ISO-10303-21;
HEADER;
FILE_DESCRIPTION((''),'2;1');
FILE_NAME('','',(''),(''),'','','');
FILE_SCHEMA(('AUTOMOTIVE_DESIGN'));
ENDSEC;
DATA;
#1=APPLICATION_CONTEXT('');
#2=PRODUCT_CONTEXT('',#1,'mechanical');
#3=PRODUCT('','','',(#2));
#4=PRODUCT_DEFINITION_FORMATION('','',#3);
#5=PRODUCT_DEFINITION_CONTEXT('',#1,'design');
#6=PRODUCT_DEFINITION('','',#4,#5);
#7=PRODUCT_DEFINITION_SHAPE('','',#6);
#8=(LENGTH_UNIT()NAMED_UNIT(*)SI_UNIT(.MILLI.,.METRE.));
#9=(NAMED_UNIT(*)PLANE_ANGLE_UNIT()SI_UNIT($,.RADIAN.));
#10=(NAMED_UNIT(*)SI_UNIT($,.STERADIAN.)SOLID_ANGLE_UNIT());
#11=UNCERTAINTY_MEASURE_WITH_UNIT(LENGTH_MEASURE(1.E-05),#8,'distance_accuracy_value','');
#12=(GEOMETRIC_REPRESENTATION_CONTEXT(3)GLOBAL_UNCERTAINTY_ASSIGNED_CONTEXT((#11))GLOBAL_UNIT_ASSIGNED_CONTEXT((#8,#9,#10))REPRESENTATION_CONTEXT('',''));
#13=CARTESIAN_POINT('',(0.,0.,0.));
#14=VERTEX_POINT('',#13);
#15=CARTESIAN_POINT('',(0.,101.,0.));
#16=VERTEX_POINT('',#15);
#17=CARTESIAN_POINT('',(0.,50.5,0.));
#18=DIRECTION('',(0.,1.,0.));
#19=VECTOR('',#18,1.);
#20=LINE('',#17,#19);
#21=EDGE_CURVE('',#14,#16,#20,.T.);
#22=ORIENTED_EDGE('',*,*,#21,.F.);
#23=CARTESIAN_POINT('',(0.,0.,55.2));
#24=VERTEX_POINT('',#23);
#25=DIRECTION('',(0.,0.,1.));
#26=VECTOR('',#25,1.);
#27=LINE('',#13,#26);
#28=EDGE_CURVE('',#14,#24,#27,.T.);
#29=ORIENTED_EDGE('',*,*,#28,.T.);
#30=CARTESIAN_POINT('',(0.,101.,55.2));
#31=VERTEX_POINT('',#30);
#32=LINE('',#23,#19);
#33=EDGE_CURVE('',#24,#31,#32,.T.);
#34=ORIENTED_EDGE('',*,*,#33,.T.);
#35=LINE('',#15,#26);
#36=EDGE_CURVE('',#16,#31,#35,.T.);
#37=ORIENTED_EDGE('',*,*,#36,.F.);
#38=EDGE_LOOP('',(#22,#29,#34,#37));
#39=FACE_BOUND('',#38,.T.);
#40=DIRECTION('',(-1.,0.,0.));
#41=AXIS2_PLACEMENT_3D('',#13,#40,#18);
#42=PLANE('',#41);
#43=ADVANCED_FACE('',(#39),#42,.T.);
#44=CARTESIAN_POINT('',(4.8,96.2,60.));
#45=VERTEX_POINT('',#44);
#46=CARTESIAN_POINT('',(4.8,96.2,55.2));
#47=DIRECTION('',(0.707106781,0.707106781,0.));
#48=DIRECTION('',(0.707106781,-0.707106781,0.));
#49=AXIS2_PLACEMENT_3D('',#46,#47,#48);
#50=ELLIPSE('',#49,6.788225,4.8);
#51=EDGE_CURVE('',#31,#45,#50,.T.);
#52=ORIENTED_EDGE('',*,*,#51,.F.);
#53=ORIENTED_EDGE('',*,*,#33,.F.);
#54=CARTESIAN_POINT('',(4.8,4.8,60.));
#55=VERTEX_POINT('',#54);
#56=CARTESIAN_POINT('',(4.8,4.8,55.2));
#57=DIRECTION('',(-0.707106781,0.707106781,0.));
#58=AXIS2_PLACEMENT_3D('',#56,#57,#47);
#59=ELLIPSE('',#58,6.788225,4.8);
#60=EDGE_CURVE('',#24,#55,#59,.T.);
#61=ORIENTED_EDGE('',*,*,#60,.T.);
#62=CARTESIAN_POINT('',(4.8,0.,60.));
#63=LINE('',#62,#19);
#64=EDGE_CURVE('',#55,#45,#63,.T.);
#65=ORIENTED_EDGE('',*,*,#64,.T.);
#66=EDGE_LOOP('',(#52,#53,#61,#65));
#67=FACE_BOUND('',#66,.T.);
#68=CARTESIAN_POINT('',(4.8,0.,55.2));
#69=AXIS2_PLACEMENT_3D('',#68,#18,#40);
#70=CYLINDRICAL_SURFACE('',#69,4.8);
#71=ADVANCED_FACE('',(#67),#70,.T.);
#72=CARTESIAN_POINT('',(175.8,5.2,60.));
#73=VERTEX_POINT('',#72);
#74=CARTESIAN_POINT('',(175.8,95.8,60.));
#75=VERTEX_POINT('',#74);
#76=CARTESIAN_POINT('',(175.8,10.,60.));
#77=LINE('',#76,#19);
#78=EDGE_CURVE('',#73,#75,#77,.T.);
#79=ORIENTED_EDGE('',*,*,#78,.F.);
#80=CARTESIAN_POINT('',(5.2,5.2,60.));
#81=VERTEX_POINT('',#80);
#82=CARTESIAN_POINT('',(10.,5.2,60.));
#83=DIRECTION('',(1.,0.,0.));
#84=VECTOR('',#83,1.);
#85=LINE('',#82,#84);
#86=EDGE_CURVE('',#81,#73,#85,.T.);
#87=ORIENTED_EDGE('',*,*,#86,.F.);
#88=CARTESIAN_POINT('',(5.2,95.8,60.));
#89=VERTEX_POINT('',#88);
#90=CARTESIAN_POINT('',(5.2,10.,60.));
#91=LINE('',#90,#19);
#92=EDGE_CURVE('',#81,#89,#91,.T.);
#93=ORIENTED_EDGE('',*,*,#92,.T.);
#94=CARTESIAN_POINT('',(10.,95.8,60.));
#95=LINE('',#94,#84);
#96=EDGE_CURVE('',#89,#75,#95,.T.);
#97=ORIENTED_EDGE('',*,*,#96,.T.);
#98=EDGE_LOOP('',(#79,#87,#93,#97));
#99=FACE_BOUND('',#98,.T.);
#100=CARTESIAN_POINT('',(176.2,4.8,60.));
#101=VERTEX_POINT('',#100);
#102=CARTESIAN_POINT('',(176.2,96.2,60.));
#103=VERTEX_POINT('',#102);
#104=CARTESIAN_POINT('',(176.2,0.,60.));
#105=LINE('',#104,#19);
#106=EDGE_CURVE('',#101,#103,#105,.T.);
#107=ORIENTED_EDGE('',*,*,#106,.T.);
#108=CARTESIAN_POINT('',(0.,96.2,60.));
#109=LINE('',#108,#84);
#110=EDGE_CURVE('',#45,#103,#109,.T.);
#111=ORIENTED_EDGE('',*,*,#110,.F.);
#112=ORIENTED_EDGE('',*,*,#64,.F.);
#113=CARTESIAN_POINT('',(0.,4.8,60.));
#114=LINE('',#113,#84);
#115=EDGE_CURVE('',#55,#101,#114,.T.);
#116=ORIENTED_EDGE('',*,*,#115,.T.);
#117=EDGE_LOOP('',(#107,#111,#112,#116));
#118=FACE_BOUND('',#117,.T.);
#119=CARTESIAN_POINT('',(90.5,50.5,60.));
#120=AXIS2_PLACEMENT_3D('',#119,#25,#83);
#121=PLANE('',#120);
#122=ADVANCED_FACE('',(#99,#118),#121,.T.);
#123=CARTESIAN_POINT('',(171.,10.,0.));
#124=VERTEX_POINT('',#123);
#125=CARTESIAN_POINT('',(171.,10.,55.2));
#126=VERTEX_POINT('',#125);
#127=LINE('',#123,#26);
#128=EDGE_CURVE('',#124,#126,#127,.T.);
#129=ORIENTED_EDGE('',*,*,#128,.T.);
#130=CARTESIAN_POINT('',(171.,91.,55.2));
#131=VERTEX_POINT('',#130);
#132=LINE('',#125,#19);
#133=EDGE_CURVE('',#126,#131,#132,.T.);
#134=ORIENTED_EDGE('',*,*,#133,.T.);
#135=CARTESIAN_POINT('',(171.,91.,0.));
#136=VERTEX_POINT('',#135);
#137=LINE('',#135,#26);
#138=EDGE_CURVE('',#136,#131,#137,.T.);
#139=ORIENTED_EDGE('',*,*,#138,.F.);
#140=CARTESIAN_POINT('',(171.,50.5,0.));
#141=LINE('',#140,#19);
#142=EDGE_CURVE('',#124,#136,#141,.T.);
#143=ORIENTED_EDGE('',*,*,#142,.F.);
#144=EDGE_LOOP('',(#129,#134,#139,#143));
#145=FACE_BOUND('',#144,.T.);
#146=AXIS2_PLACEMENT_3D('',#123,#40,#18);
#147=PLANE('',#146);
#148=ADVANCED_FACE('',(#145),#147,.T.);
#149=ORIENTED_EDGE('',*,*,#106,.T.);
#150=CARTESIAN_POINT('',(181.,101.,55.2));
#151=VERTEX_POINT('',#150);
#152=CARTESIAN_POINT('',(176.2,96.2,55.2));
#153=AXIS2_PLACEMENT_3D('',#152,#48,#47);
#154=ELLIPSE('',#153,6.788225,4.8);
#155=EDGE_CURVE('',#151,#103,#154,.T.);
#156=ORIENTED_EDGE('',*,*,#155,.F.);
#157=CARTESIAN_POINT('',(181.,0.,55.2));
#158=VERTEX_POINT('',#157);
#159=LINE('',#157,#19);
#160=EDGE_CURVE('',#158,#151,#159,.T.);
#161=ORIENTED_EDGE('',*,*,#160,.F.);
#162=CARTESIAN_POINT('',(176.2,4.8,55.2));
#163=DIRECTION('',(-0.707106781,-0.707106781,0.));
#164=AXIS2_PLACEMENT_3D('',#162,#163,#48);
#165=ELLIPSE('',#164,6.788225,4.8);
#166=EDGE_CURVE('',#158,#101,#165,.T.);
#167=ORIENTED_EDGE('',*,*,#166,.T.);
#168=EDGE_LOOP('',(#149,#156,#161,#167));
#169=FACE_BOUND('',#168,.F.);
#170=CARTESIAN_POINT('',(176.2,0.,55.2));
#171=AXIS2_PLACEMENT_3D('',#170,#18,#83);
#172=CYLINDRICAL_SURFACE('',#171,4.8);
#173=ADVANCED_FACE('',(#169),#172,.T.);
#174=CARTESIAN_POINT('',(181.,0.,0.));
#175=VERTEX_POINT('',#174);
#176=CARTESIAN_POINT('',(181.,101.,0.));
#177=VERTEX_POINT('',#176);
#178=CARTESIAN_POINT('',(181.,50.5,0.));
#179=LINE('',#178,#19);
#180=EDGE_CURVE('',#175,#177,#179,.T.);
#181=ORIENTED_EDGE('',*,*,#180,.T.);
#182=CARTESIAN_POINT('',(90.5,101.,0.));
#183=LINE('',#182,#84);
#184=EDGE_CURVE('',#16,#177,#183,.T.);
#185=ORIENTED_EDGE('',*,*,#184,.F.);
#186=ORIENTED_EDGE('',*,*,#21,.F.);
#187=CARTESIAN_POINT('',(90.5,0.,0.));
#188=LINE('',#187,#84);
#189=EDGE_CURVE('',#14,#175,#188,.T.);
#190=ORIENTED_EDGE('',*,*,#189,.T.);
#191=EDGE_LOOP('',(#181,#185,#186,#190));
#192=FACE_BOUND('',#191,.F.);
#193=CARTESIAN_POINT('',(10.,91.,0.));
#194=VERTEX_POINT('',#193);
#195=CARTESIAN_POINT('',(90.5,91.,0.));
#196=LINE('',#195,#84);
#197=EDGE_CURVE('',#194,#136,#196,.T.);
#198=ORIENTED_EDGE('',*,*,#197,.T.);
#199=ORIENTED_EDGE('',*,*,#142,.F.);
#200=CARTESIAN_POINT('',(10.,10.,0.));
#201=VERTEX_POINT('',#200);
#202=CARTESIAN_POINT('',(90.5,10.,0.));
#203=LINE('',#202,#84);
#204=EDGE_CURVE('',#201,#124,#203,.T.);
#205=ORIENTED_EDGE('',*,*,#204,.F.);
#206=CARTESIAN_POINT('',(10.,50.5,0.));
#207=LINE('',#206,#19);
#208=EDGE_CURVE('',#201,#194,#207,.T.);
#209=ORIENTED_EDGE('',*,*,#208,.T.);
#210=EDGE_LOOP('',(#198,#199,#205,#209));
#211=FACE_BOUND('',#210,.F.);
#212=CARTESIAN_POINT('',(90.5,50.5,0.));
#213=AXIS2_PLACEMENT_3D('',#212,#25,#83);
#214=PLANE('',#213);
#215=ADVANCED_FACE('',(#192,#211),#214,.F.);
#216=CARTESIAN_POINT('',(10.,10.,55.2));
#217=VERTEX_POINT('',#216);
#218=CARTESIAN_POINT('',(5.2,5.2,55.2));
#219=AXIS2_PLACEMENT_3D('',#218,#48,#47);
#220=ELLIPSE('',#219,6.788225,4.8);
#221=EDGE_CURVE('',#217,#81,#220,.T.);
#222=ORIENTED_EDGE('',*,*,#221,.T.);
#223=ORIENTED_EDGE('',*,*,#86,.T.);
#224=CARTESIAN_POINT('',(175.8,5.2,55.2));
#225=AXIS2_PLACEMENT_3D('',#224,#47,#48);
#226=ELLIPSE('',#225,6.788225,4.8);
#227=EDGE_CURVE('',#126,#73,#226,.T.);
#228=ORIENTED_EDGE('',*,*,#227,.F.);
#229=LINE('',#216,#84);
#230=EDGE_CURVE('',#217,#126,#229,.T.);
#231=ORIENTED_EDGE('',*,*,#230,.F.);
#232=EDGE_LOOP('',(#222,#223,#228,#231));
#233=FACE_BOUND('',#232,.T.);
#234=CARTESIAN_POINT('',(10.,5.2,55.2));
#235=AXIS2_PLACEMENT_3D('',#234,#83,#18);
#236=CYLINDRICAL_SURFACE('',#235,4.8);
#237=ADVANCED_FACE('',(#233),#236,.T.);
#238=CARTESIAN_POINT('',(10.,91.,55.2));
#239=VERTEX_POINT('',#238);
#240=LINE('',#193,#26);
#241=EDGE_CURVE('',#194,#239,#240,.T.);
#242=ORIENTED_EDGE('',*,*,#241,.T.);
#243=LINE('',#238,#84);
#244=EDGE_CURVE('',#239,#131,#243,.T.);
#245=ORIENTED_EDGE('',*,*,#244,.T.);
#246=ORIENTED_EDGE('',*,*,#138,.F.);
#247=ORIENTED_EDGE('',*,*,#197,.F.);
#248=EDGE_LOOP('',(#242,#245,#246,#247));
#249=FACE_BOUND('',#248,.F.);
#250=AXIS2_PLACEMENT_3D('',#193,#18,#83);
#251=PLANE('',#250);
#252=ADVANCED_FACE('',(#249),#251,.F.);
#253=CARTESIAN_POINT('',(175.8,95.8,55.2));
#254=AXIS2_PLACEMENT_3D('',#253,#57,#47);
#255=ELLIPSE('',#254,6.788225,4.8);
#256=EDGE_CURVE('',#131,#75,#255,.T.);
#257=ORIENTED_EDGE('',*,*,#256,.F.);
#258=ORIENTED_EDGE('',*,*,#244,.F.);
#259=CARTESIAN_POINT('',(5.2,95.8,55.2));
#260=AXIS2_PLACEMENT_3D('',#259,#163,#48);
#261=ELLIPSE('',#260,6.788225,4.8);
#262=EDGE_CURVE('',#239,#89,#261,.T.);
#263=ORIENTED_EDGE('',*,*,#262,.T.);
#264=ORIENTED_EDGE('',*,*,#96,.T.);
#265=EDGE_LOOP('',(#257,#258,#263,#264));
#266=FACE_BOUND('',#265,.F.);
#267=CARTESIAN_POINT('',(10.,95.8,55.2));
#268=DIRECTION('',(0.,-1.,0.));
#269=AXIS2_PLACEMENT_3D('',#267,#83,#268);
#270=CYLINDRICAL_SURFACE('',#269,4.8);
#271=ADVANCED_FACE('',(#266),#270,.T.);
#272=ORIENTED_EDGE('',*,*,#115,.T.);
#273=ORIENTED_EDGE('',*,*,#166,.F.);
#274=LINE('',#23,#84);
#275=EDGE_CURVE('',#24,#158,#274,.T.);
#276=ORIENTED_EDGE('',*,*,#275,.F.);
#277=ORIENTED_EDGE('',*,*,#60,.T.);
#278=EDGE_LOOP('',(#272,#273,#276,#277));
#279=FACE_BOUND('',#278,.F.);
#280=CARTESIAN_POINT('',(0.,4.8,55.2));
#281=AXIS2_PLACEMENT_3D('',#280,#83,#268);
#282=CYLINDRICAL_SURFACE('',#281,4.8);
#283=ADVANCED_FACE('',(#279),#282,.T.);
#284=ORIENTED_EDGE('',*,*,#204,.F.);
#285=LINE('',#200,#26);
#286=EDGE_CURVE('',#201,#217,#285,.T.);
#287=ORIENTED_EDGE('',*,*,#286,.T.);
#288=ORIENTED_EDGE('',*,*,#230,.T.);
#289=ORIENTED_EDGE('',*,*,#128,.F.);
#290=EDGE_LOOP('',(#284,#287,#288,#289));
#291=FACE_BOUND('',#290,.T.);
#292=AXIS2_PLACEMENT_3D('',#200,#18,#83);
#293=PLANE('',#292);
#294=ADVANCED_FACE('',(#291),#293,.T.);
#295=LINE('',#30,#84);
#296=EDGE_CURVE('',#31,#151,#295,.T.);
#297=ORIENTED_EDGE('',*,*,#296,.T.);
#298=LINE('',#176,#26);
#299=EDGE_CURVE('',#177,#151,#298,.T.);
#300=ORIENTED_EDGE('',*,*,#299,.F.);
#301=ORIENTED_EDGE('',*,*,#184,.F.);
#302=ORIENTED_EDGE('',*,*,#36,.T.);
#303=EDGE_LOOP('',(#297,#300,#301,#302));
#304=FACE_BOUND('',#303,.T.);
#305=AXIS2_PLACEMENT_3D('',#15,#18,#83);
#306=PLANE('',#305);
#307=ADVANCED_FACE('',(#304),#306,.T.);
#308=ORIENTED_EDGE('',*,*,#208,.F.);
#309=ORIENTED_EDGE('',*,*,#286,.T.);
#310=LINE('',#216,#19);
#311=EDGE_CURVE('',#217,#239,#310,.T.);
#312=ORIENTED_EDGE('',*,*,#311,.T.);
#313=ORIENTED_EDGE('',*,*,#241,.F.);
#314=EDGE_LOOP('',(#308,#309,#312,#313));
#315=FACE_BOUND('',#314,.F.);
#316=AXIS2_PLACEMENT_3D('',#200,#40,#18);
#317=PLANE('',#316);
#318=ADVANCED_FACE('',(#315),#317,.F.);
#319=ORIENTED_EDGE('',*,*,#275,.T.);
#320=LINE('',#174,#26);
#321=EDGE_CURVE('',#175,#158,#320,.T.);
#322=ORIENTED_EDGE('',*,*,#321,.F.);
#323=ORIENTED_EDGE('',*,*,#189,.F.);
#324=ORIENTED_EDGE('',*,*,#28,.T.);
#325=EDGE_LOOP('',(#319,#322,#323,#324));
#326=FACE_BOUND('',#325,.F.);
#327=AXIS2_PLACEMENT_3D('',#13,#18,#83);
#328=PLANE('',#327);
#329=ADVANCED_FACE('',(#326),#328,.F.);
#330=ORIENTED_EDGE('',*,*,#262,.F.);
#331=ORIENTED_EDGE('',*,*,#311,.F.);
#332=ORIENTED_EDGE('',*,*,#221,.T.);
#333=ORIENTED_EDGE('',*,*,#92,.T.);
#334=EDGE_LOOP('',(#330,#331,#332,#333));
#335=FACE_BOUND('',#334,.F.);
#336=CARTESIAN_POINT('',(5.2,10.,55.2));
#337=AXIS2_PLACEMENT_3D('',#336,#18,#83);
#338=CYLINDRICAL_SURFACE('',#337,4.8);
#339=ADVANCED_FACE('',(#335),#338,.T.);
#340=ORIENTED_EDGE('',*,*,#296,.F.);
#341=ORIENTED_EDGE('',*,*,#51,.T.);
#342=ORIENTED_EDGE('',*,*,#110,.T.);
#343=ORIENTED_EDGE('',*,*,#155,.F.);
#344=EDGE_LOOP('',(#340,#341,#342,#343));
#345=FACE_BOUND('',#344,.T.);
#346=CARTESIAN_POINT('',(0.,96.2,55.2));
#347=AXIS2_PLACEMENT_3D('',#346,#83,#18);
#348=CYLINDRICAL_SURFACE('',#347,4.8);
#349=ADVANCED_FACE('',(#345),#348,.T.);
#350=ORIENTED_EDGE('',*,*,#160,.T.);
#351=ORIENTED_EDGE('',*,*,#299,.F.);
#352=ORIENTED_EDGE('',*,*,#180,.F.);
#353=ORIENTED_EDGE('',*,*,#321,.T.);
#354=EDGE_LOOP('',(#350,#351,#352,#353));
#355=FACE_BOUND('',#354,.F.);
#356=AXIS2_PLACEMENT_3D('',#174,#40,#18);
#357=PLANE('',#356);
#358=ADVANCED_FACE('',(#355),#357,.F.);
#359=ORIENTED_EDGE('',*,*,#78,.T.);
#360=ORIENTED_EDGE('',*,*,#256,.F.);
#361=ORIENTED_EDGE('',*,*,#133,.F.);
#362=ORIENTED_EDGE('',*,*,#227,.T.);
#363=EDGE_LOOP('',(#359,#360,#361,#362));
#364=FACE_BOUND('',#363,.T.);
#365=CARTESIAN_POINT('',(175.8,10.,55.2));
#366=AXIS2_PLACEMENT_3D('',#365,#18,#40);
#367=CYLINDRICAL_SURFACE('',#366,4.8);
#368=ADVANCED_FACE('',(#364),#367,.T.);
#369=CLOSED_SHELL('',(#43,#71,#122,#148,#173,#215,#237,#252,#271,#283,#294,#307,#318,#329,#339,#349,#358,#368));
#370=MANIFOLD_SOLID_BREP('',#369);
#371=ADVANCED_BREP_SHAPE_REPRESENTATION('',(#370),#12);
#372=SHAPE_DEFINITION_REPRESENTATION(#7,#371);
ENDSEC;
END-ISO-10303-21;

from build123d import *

# Parameters (mm, degrees)
SKETCH_W   = 181
SKETCH_H   = 101
SKETCH_W_2 = 161
SKETCH_H_2 = 81
PAD_DEPTH  = 60
FILLET_R   = 4.8


with BuildPart() as part:
    # Sketch → Pad (new body)
    with BuildSketch(Plane.XY):
        with Locations((90.5, 50.5)):
            Rectangle(SKETCH_W, SKETCH_H)
        with Locations((90.5, 50.5)):
            Rectangle(SKETCH_W_2, SKETCH_H_2, mode=Mode.SUBTRACT)
    extrude(amount=PAD_DEPTH)

    # Fillet
    fillet_edges = [part.edges().sort_by_distance(p)[0] for p in [
        (90.5, 0, 60),
        (181, 50.5, 60),
        (90.5, 101, 60),
        (0, 50.5, 60),
        (90.5, 10, 60),
        (171, 50.5, 60),
        (90.5, 91, 60),
        (10, 50.5, 60),
    ]]
    fillet(fillet_edges, radius=FILLET_R)


solid = part.part
